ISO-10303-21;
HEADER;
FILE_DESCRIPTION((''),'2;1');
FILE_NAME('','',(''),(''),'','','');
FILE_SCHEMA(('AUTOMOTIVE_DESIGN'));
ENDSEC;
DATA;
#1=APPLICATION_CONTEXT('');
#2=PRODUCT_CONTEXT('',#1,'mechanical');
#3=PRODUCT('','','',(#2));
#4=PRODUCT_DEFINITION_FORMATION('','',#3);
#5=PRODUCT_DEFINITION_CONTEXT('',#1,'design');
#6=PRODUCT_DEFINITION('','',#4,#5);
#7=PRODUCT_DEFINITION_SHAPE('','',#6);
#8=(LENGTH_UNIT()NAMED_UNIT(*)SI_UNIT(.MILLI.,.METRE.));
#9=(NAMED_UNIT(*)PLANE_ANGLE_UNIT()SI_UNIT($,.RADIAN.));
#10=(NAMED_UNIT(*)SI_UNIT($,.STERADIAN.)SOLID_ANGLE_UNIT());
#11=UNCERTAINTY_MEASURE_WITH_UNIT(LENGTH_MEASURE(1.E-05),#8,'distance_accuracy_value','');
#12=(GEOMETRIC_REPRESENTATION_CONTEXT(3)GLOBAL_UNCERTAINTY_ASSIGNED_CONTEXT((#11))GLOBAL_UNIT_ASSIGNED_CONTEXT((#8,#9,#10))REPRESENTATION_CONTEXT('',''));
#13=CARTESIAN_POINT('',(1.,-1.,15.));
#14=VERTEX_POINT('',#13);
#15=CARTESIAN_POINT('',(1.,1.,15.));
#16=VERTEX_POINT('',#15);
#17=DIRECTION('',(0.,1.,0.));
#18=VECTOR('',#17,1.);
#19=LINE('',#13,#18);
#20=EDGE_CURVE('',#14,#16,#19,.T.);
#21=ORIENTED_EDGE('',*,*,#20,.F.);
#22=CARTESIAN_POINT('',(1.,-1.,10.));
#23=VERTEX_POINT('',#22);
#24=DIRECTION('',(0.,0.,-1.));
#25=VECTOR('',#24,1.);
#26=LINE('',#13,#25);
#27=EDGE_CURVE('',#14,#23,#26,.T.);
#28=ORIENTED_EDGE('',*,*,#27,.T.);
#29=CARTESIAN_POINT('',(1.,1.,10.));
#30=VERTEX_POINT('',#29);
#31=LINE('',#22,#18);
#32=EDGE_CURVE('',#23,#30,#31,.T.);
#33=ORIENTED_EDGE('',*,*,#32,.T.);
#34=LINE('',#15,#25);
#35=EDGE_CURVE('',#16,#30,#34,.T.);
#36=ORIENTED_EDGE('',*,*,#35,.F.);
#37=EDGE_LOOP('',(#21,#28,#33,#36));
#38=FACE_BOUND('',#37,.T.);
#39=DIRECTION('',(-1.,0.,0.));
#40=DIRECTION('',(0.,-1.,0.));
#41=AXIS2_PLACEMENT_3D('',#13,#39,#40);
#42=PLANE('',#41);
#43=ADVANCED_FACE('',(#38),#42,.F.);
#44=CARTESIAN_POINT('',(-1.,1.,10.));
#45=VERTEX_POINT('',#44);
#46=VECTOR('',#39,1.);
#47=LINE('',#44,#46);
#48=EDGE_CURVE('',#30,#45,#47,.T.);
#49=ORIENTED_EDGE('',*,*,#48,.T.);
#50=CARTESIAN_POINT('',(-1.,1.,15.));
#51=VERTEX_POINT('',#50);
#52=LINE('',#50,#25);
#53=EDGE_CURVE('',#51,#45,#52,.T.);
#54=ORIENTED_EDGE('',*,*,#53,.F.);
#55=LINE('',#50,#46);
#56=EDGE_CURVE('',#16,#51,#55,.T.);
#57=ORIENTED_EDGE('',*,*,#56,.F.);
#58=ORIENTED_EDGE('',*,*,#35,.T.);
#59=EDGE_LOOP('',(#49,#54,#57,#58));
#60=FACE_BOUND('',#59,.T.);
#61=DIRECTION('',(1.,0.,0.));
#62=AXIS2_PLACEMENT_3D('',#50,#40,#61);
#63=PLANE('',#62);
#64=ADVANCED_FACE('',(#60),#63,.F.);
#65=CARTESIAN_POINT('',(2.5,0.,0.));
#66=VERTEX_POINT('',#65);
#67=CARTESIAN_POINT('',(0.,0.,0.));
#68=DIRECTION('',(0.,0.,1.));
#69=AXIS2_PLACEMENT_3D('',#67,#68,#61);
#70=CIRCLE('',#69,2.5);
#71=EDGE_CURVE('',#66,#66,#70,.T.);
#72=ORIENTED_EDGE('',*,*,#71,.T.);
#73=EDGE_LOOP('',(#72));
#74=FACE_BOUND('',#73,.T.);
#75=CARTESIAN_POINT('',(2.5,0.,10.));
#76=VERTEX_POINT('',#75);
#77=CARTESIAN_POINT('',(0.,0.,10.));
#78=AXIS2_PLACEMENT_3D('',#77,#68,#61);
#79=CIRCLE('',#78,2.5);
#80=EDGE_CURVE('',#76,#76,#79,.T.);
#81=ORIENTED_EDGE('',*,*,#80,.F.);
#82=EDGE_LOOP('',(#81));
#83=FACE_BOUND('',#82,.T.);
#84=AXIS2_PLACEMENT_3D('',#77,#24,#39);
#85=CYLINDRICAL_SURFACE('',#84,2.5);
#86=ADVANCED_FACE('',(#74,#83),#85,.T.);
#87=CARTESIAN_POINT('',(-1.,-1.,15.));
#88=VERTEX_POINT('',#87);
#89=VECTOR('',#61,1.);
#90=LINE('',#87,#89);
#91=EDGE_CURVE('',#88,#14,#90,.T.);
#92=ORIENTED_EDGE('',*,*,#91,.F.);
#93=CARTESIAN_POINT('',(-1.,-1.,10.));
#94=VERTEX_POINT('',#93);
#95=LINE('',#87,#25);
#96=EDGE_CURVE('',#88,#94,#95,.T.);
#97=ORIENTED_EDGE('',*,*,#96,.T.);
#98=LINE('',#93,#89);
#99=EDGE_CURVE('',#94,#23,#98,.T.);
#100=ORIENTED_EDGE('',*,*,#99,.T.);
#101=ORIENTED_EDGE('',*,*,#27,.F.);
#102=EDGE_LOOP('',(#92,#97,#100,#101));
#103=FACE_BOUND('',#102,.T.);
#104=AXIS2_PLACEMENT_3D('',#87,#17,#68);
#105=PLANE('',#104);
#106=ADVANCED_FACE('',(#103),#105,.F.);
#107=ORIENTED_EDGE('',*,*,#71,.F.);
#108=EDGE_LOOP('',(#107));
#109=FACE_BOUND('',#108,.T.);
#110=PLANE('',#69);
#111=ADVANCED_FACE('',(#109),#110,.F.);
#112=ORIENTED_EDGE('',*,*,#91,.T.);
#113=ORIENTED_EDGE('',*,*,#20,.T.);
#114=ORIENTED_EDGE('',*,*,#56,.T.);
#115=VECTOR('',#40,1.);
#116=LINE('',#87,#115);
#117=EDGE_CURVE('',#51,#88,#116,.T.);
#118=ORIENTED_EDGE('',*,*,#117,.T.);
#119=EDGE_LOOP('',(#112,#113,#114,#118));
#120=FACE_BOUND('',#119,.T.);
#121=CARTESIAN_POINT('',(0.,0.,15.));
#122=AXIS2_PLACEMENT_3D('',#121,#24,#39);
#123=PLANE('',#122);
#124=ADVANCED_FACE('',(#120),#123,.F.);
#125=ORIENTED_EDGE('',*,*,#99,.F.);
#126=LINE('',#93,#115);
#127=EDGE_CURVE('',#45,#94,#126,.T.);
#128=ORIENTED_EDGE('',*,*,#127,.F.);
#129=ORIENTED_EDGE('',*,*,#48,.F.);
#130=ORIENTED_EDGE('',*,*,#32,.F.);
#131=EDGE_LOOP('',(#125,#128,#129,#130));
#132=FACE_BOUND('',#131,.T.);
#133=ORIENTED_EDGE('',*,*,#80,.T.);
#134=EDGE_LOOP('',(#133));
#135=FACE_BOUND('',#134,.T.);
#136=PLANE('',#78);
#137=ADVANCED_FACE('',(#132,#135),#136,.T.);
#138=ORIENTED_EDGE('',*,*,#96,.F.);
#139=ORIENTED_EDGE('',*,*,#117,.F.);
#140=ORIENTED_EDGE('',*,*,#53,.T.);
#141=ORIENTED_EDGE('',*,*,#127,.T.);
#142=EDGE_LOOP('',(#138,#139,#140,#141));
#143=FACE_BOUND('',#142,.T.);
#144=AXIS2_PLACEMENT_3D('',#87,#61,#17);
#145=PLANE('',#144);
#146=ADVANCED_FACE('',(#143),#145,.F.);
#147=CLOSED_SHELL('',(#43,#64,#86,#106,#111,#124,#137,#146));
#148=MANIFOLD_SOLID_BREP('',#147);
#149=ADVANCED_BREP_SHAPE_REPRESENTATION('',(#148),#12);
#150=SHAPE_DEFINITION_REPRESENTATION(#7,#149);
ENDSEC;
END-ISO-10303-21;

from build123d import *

# Parameters (mm, degrees)
SKETCH_2_R      = 2.5
EXTRUDE_1_DEPTH = 10
SKETCH_3_W      = 2
SKETCH_3_H      = 2
EXTRUDE_2_DEPTH = 5


with BuildPart() as part:
    # 草图2 → 凸台-拉伸1 (new body)
    with BuildSketch(Plane.XY):
        Circle(SKETCH_2_R)
    extrude(amount=EXTRUDE_1_DEPTH)

    # 草图3 → 凸台-拉伸2 (add)
    with BuildSketch(Plane.XY.offset(10)):
        Rectangle(SKETCH_3_W, SKETCH_3_H)
    extrude(amount=EXTRUDE_2_DEPTH)


solid = part.part
